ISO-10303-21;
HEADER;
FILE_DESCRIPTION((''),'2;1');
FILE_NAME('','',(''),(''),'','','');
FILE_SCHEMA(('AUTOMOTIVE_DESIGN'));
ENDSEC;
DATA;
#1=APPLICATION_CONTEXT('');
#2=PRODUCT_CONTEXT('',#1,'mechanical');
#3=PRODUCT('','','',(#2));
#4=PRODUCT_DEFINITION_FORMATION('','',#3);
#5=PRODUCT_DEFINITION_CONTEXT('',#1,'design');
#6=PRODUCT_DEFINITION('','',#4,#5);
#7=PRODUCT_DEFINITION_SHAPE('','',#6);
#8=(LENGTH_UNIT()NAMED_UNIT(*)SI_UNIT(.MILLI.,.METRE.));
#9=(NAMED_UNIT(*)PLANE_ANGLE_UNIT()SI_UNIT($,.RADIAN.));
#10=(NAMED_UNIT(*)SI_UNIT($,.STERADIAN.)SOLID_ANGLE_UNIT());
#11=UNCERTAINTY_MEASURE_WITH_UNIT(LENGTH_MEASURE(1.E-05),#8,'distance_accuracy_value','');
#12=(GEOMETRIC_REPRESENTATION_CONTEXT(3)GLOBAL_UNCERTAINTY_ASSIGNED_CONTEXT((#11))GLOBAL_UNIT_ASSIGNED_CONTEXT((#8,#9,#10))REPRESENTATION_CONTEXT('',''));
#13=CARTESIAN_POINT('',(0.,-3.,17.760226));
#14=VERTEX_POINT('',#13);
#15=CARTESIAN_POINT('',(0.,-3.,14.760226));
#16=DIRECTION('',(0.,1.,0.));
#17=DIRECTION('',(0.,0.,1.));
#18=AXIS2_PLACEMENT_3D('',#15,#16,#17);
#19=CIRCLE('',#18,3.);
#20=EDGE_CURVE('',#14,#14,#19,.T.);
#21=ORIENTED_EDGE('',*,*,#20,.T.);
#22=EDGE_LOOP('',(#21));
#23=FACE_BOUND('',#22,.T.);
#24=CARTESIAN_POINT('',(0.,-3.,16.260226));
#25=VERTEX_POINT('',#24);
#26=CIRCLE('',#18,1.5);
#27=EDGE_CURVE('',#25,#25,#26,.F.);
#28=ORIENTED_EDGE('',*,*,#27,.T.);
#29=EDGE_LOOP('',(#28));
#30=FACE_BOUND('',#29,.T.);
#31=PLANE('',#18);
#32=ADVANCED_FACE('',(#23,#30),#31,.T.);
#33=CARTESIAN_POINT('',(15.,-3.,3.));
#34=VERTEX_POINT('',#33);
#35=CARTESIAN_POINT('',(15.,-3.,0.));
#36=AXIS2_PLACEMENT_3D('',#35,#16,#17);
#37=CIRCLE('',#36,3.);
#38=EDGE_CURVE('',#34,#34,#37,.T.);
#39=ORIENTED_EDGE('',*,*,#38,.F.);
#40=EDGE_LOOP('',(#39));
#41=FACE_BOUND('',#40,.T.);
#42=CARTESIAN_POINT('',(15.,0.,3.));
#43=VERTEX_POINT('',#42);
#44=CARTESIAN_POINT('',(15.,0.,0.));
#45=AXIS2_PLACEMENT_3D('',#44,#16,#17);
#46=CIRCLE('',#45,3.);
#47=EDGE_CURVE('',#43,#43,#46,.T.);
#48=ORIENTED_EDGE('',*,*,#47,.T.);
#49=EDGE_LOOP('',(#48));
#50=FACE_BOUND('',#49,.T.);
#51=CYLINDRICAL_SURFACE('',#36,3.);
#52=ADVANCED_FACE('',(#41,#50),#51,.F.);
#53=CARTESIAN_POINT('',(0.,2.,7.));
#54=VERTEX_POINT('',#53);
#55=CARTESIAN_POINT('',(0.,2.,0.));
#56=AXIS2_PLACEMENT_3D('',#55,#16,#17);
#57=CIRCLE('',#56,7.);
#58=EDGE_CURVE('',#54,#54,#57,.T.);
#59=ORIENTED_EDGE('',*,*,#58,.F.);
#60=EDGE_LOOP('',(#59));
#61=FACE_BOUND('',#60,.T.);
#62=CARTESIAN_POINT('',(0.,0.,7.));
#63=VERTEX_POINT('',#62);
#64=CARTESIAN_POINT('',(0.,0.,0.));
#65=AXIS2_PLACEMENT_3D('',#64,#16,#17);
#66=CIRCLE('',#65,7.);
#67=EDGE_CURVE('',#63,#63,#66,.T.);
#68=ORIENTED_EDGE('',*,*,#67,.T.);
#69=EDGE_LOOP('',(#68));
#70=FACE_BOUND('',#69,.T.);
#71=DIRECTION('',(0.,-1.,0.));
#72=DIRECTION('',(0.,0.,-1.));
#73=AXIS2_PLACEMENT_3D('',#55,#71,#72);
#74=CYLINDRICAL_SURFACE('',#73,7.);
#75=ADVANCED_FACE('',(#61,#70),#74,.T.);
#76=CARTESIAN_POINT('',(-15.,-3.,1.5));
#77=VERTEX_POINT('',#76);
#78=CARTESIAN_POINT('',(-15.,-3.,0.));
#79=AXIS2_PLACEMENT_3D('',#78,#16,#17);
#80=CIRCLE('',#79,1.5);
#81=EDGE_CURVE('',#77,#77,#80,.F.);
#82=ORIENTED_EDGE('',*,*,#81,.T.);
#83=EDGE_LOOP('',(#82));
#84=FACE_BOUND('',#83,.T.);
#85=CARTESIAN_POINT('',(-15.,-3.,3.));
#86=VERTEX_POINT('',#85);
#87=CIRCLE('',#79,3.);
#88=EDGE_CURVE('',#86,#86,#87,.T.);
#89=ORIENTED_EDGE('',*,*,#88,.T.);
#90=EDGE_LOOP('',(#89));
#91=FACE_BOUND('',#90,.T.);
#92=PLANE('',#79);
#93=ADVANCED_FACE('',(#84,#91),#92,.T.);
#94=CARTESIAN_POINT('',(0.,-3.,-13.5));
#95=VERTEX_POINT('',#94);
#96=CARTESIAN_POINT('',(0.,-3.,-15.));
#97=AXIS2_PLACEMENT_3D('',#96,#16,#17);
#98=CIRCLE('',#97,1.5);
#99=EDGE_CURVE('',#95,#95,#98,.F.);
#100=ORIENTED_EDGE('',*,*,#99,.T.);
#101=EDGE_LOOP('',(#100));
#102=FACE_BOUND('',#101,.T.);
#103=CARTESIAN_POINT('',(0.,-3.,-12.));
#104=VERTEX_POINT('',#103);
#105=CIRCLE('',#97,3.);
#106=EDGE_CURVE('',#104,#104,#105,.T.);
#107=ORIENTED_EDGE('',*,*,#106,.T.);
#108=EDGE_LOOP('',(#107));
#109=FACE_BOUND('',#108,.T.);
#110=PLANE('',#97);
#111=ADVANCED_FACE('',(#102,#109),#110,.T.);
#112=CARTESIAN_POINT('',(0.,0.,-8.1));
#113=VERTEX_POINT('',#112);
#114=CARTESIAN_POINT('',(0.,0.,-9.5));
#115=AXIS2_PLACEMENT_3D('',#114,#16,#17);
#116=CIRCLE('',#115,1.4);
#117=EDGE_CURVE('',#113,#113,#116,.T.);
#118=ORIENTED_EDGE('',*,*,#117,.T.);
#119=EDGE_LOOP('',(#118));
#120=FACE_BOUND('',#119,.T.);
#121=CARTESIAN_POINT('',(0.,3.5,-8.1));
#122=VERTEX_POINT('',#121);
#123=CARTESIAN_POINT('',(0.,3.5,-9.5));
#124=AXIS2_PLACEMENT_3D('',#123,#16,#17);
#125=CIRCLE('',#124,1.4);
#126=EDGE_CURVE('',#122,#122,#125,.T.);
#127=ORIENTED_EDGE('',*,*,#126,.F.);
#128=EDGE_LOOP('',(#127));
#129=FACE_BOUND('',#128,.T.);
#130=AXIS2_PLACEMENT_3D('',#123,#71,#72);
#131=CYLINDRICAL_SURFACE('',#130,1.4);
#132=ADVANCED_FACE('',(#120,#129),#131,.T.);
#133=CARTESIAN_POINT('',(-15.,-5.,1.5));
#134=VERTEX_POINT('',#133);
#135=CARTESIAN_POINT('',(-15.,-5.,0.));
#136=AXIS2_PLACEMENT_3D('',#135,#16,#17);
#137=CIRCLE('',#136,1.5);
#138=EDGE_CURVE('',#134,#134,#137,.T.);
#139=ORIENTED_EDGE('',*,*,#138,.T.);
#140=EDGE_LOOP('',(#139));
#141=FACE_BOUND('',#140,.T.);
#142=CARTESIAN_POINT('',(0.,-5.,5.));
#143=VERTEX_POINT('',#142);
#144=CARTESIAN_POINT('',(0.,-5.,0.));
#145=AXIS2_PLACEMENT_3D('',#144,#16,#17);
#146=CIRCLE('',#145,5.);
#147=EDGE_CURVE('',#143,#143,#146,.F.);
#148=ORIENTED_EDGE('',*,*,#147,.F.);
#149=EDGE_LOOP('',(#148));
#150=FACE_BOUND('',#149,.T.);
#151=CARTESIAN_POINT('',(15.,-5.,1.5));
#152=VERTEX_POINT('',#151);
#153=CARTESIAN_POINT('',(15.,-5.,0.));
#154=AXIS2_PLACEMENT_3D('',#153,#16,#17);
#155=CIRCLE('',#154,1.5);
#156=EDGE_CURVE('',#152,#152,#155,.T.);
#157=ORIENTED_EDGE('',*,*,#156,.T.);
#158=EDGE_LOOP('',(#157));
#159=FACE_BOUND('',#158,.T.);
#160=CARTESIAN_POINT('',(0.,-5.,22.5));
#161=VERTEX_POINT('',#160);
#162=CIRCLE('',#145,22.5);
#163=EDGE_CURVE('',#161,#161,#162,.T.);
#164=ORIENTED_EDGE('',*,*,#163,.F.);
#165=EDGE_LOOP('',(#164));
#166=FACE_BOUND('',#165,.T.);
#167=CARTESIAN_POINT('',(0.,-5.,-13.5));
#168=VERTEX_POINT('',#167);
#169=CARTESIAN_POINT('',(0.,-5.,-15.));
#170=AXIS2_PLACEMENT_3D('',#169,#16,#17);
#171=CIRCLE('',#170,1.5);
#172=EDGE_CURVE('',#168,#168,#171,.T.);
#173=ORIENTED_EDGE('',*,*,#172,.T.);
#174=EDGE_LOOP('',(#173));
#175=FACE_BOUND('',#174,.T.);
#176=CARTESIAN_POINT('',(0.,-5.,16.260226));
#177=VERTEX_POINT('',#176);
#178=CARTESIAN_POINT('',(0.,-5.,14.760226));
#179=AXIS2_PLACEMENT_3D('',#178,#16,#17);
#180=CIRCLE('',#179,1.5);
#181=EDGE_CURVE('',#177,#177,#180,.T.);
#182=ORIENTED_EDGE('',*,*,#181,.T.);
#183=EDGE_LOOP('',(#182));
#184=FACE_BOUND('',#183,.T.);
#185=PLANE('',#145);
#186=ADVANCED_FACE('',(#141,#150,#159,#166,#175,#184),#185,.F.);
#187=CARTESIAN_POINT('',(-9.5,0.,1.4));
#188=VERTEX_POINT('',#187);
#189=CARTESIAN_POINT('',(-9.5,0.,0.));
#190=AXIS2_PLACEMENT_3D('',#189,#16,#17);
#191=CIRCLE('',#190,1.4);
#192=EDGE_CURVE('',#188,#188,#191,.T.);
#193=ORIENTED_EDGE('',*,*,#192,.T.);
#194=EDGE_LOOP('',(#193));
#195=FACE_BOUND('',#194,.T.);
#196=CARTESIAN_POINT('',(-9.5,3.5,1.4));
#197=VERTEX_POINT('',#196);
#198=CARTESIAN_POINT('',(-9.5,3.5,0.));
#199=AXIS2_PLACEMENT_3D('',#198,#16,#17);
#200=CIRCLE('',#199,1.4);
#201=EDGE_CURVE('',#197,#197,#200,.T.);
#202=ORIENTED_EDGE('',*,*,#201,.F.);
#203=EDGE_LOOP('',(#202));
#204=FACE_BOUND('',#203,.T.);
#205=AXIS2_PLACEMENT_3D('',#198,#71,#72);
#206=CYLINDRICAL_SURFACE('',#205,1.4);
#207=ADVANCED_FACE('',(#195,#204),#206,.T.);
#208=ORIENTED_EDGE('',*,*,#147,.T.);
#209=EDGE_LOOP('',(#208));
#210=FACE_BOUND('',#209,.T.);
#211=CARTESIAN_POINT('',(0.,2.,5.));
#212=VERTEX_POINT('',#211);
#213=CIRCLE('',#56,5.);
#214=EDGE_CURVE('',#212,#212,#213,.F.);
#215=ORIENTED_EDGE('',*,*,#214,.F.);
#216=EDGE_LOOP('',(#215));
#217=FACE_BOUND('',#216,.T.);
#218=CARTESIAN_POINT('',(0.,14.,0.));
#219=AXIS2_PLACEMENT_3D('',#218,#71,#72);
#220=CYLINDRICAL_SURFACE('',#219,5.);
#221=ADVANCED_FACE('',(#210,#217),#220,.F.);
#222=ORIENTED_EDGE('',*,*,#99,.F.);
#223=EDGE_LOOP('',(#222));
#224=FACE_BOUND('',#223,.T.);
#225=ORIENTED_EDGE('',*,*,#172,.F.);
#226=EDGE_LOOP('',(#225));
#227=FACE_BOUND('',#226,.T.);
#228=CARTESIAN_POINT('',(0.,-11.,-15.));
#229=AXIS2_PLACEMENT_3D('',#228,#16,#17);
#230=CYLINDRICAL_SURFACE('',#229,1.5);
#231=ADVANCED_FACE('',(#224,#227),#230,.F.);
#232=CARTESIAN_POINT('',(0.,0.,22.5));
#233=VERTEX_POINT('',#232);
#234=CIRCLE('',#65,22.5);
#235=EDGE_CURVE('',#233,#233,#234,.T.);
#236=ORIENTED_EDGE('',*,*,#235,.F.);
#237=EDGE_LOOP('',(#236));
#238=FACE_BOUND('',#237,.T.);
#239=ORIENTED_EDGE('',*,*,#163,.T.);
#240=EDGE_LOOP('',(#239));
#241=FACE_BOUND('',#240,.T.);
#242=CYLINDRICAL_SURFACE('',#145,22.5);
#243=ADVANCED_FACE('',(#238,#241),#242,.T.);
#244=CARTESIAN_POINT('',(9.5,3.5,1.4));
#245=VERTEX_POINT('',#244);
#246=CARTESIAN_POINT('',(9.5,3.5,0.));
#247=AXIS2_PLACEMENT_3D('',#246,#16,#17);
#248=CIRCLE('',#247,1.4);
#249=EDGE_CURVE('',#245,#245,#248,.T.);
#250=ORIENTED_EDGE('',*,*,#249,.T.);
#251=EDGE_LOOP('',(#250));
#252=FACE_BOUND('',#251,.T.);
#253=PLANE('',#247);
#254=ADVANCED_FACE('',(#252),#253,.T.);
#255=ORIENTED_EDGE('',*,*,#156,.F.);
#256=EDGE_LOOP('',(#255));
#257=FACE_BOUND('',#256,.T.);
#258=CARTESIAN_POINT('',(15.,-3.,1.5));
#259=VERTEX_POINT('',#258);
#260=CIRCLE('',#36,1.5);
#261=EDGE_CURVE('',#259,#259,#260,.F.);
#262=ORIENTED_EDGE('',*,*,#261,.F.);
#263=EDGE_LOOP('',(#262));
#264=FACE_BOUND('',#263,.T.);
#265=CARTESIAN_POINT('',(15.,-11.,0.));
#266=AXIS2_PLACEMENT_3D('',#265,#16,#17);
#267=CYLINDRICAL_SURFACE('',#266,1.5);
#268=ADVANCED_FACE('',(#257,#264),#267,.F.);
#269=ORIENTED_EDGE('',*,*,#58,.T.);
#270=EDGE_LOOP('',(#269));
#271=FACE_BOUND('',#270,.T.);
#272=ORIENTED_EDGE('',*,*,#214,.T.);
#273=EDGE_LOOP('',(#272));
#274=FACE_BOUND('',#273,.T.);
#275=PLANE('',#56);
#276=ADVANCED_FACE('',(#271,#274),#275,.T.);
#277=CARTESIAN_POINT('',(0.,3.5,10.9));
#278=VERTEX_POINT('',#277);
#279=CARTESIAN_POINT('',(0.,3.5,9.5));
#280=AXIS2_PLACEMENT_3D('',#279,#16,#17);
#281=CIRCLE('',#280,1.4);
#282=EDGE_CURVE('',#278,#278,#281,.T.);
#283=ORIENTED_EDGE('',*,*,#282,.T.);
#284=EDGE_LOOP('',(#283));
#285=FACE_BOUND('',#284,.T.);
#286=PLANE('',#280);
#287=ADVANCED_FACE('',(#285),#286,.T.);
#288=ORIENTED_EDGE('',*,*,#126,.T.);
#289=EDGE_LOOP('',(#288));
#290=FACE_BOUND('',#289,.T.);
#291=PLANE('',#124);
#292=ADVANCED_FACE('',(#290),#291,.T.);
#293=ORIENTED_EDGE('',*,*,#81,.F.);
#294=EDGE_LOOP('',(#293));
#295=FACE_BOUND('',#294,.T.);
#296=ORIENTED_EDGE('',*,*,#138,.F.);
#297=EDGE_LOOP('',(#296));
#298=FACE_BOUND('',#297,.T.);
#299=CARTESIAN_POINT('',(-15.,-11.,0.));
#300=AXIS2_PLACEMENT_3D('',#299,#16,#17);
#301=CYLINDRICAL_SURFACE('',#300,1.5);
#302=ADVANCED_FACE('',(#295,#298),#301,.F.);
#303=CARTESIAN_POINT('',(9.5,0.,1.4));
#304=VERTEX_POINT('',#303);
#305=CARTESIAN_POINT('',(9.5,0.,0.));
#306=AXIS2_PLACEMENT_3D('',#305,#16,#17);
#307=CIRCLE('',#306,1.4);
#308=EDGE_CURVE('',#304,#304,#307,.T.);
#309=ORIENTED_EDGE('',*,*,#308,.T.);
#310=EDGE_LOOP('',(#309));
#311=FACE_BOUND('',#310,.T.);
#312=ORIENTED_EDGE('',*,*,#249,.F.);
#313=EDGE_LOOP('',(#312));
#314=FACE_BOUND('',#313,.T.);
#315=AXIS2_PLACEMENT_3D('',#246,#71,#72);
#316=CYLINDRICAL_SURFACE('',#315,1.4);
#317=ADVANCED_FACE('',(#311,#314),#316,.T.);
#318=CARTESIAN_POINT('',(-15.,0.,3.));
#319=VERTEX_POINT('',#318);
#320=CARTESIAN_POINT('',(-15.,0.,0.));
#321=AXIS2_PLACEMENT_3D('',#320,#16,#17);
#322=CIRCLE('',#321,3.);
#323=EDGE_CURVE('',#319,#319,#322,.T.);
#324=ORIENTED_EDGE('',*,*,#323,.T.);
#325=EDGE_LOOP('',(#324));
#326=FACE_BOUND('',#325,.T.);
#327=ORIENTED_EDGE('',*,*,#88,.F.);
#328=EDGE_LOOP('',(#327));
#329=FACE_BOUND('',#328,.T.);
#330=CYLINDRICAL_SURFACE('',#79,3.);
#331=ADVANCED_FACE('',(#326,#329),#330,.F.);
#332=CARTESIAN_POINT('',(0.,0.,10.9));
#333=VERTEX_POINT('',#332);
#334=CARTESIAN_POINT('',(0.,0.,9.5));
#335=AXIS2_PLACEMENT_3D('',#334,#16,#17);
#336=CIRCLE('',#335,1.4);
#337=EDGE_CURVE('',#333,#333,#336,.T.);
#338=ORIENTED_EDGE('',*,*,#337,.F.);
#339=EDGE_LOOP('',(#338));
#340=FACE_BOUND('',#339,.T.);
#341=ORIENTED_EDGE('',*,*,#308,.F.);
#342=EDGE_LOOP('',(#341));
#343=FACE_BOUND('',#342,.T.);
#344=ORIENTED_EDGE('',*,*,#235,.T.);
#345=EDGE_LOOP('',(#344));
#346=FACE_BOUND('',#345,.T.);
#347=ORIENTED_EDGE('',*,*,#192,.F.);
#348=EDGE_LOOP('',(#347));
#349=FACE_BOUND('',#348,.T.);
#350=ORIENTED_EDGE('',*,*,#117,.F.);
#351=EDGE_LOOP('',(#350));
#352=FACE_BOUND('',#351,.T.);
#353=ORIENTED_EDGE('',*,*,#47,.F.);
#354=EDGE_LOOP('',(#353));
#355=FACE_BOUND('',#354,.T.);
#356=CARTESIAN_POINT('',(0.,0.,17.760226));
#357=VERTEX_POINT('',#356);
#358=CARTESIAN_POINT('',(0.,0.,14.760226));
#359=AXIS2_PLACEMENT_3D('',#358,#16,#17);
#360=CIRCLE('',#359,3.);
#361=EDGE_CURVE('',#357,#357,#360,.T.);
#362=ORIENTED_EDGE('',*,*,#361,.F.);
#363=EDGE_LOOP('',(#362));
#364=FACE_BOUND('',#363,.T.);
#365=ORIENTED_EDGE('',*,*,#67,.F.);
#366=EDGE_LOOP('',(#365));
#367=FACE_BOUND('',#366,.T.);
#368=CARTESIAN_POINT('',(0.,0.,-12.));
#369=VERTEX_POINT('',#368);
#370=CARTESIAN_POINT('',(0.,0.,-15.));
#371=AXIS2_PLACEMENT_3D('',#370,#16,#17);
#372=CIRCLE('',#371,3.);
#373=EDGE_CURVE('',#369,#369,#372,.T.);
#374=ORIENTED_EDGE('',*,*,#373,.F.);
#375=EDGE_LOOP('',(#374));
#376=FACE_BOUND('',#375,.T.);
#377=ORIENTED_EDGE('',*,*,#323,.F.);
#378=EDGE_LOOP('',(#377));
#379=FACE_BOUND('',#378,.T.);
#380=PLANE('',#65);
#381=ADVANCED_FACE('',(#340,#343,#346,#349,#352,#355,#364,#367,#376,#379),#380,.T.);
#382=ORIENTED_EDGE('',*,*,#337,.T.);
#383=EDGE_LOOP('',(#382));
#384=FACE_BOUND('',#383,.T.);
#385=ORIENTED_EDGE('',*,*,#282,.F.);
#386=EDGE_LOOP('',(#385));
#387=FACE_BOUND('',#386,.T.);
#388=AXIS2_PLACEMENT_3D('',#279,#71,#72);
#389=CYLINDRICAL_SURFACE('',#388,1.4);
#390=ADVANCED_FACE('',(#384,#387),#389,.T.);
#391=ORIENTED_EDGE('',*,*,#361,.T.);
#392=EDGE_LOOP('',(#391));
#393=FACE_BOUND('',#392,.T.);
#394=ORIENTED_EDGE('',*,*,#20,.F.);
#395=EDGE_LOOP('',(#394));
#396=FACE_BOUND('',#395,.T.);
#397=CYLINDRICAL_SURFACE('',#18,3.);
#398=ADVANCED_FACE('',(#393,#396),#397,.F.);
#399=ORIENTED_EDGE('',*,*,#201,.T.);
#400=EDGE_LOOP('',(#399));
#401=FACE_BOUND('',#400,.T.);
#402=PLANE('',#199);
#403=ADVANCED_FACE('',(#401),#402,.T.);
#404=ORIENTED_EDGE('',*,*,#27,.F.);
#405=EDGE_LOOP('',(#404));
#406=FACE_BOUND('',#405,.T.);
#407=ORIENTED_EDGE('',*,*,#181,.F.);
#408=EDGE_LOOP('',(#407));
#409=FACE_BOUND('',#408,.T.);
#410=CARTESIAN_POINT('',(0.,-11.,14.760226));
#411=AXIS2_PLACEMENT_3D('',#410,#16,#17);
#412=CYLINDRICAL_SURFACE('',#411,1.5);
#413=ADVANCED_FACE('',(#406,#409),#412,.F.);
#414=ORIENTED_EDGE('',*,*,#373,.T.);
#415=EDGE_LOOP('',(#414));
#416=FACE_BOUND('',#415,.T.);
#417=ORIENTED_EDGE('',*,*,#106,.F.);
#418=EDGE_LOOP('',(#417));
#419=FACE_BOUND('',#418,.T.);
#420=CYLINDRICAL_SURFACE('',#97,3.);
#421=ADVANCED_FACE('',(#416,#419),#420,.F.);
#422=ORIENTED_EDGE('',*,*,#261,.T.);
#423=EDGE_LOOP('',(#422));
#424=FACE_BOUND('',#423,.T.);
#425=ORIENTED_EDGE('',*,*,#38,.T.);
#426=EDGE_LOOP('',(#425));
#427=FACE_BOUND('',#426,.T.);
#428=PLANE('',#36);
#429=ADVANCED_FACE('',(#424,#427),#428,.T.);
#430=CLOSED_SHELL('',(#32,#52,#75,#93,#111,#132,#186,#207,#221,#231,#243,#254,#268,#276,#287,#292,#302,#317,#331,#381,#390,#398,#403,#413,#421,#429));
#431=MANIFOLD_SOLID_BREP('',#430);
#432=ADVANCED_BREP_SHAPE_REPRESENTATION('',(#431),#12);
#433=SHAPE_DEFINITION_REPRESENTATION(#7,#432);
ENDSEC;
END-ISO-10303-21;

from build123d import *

# Parameters (mm, degrees)
SKETCH_1_R               = 22.5
EXTRUDE_2_DEPTH          = 5
SKETCH_5_R               = 1.5
CUT_EXTRUDE_2_DEPTH      = 11
SKETCH_6_R               = 3
CUT_EXTRUDE_3_DEPTH      = 3
SKETCH_9_R               = 1.4
EXTRUDE_5_DEPTH          = 3.5
SKETCH_10_R              = 7
EXTRUDE_6_DEPTH          = 2
CUT_EXTRUDE_4_DEPTH      = 14
CUT_EXTRUDE_4_DEPTH_BACK = 14
SKETCH_11_R              = 5


with BuildPart() as part:
    # 草图1 → 凸台-拉伸2 (new body)
    with BuildSketch(Plane(origin=(0, 0, 0), x_dir=(1, 0, 0), z_dir=(0, 1, 0))):
        with Locations(Location((0, 0, 0), (0, 0, 270))):
            Circle(SKETCH_1_R)
    extrude(amount=-EXTRUDE_2_DEPTH)

    # 草图5 → 切除-拉伸2 (cut)
    with BuildSketch(Plane(origin=(0, 0, 0), x_dir=(1, 0, 0), z_dir=(0, 1, 0))):
        with Locations(Location((0, 15, 0), (0, 0, 270))):
            Circle(SKETCH_5_R)
        with Locations(Location((15, 0, 0), (0, 0, 270))):
            Circle(SKETCH_5_R)
        with Locations(Location((0, -14.760226484, 0), (0, 0, 270))):
            Circle(SKETCH_5_R)
        with Locations(Location((-15, 0, 0), (0, 0, 270))):
            Circle(SKETCH_5_R)
    extrude(amount=-CUT_EXTRUDE_2_DEPTH, mode=Mode.SUBTRACT)

    # 草图6 → 切除-拉伸3 (cut)
    with BuildSketch(Plane(origin=(0, 0, 0), x_dir=(1, 0, 0), z_dir=(0, 1, 0))):
        with Locations(Location((0, 15, 0), (0, 0, 270))):
            Circle(SKETCH_6_R)
        with Locations(Location((15, 0, 0), (0, 0, 270))):
            Circle(SKETCH_6_R)
        with Locations(Location((0, -14.760226484, 0), (0, 0, 270))):
            Circle(SKETCH_6_R)
        with Locations(Location((-15, 0, 0), (0, 0, 270))):
            Circle(SKETCH_6_R)
    extrude(amount=-CUT_EXTRUDE_3_DEPTH, mode=Mode.SUBTRACT)

    # 草图9 → 凸台-拉伸5 (add)
    with BuildSketch(Plane(origin=(0, 0, 0), x_dir=(1, 0, 0), z_dir=(0, 1, 0))):
        with Locations(Location((0, 9.5, 0), (0, 0, 270))):
            Circle(SKETCH_9_R)
        with Locations(Location((9.5, 0, 0), (0, 0, 270))):
            Circle(SKETCH_9_R)
        with Locations(Location((0, -9.5, 0), (0, 0, 270))):
            Circle(SKETCH_9_R)
        with Locations(Location((-9.5, 0, 0), (0, 0, 270))):
            Circle(SKETCH_9_R)
    extrude(amount=EXTRUDE_5_DEPTH)

    # 草图10 → 凸台-拉伸6 (add)
    with BuildSketch(Plane(origin=(0, 0, 0), x_dir=(1, 0, 0), z_dir=(0, 1, 0))):
        with Locations(Location((0, 0, 0), (0, 0, 270))):
            Circle(SKETCH_10_R)
    extrude(amount=EXTRUDE_6_DEPTH)

    # 草图11 → 切除-拉伸4 (cut, two sides: drawn at the far end of the back side and taken through both)
    with BuildSketch(Plane(origin=(0, 0, 0), x_dir=(1, 0, 0), z_dir=(0, 1, 0)).offset(-CUT_EXTRUDE_4_DEPTH_BACK)):
        with Locations(Location((0, 0, 0), (0, 0, 270))):
            Circle(SKETCH_11_R)
    extrude(amount=CUT_EXTRUDE_4_DEPTH + CUT_EXTRUDE_4_DEPTH_BACK, mode=Mode.SUBTRACT)


solid = part.part
